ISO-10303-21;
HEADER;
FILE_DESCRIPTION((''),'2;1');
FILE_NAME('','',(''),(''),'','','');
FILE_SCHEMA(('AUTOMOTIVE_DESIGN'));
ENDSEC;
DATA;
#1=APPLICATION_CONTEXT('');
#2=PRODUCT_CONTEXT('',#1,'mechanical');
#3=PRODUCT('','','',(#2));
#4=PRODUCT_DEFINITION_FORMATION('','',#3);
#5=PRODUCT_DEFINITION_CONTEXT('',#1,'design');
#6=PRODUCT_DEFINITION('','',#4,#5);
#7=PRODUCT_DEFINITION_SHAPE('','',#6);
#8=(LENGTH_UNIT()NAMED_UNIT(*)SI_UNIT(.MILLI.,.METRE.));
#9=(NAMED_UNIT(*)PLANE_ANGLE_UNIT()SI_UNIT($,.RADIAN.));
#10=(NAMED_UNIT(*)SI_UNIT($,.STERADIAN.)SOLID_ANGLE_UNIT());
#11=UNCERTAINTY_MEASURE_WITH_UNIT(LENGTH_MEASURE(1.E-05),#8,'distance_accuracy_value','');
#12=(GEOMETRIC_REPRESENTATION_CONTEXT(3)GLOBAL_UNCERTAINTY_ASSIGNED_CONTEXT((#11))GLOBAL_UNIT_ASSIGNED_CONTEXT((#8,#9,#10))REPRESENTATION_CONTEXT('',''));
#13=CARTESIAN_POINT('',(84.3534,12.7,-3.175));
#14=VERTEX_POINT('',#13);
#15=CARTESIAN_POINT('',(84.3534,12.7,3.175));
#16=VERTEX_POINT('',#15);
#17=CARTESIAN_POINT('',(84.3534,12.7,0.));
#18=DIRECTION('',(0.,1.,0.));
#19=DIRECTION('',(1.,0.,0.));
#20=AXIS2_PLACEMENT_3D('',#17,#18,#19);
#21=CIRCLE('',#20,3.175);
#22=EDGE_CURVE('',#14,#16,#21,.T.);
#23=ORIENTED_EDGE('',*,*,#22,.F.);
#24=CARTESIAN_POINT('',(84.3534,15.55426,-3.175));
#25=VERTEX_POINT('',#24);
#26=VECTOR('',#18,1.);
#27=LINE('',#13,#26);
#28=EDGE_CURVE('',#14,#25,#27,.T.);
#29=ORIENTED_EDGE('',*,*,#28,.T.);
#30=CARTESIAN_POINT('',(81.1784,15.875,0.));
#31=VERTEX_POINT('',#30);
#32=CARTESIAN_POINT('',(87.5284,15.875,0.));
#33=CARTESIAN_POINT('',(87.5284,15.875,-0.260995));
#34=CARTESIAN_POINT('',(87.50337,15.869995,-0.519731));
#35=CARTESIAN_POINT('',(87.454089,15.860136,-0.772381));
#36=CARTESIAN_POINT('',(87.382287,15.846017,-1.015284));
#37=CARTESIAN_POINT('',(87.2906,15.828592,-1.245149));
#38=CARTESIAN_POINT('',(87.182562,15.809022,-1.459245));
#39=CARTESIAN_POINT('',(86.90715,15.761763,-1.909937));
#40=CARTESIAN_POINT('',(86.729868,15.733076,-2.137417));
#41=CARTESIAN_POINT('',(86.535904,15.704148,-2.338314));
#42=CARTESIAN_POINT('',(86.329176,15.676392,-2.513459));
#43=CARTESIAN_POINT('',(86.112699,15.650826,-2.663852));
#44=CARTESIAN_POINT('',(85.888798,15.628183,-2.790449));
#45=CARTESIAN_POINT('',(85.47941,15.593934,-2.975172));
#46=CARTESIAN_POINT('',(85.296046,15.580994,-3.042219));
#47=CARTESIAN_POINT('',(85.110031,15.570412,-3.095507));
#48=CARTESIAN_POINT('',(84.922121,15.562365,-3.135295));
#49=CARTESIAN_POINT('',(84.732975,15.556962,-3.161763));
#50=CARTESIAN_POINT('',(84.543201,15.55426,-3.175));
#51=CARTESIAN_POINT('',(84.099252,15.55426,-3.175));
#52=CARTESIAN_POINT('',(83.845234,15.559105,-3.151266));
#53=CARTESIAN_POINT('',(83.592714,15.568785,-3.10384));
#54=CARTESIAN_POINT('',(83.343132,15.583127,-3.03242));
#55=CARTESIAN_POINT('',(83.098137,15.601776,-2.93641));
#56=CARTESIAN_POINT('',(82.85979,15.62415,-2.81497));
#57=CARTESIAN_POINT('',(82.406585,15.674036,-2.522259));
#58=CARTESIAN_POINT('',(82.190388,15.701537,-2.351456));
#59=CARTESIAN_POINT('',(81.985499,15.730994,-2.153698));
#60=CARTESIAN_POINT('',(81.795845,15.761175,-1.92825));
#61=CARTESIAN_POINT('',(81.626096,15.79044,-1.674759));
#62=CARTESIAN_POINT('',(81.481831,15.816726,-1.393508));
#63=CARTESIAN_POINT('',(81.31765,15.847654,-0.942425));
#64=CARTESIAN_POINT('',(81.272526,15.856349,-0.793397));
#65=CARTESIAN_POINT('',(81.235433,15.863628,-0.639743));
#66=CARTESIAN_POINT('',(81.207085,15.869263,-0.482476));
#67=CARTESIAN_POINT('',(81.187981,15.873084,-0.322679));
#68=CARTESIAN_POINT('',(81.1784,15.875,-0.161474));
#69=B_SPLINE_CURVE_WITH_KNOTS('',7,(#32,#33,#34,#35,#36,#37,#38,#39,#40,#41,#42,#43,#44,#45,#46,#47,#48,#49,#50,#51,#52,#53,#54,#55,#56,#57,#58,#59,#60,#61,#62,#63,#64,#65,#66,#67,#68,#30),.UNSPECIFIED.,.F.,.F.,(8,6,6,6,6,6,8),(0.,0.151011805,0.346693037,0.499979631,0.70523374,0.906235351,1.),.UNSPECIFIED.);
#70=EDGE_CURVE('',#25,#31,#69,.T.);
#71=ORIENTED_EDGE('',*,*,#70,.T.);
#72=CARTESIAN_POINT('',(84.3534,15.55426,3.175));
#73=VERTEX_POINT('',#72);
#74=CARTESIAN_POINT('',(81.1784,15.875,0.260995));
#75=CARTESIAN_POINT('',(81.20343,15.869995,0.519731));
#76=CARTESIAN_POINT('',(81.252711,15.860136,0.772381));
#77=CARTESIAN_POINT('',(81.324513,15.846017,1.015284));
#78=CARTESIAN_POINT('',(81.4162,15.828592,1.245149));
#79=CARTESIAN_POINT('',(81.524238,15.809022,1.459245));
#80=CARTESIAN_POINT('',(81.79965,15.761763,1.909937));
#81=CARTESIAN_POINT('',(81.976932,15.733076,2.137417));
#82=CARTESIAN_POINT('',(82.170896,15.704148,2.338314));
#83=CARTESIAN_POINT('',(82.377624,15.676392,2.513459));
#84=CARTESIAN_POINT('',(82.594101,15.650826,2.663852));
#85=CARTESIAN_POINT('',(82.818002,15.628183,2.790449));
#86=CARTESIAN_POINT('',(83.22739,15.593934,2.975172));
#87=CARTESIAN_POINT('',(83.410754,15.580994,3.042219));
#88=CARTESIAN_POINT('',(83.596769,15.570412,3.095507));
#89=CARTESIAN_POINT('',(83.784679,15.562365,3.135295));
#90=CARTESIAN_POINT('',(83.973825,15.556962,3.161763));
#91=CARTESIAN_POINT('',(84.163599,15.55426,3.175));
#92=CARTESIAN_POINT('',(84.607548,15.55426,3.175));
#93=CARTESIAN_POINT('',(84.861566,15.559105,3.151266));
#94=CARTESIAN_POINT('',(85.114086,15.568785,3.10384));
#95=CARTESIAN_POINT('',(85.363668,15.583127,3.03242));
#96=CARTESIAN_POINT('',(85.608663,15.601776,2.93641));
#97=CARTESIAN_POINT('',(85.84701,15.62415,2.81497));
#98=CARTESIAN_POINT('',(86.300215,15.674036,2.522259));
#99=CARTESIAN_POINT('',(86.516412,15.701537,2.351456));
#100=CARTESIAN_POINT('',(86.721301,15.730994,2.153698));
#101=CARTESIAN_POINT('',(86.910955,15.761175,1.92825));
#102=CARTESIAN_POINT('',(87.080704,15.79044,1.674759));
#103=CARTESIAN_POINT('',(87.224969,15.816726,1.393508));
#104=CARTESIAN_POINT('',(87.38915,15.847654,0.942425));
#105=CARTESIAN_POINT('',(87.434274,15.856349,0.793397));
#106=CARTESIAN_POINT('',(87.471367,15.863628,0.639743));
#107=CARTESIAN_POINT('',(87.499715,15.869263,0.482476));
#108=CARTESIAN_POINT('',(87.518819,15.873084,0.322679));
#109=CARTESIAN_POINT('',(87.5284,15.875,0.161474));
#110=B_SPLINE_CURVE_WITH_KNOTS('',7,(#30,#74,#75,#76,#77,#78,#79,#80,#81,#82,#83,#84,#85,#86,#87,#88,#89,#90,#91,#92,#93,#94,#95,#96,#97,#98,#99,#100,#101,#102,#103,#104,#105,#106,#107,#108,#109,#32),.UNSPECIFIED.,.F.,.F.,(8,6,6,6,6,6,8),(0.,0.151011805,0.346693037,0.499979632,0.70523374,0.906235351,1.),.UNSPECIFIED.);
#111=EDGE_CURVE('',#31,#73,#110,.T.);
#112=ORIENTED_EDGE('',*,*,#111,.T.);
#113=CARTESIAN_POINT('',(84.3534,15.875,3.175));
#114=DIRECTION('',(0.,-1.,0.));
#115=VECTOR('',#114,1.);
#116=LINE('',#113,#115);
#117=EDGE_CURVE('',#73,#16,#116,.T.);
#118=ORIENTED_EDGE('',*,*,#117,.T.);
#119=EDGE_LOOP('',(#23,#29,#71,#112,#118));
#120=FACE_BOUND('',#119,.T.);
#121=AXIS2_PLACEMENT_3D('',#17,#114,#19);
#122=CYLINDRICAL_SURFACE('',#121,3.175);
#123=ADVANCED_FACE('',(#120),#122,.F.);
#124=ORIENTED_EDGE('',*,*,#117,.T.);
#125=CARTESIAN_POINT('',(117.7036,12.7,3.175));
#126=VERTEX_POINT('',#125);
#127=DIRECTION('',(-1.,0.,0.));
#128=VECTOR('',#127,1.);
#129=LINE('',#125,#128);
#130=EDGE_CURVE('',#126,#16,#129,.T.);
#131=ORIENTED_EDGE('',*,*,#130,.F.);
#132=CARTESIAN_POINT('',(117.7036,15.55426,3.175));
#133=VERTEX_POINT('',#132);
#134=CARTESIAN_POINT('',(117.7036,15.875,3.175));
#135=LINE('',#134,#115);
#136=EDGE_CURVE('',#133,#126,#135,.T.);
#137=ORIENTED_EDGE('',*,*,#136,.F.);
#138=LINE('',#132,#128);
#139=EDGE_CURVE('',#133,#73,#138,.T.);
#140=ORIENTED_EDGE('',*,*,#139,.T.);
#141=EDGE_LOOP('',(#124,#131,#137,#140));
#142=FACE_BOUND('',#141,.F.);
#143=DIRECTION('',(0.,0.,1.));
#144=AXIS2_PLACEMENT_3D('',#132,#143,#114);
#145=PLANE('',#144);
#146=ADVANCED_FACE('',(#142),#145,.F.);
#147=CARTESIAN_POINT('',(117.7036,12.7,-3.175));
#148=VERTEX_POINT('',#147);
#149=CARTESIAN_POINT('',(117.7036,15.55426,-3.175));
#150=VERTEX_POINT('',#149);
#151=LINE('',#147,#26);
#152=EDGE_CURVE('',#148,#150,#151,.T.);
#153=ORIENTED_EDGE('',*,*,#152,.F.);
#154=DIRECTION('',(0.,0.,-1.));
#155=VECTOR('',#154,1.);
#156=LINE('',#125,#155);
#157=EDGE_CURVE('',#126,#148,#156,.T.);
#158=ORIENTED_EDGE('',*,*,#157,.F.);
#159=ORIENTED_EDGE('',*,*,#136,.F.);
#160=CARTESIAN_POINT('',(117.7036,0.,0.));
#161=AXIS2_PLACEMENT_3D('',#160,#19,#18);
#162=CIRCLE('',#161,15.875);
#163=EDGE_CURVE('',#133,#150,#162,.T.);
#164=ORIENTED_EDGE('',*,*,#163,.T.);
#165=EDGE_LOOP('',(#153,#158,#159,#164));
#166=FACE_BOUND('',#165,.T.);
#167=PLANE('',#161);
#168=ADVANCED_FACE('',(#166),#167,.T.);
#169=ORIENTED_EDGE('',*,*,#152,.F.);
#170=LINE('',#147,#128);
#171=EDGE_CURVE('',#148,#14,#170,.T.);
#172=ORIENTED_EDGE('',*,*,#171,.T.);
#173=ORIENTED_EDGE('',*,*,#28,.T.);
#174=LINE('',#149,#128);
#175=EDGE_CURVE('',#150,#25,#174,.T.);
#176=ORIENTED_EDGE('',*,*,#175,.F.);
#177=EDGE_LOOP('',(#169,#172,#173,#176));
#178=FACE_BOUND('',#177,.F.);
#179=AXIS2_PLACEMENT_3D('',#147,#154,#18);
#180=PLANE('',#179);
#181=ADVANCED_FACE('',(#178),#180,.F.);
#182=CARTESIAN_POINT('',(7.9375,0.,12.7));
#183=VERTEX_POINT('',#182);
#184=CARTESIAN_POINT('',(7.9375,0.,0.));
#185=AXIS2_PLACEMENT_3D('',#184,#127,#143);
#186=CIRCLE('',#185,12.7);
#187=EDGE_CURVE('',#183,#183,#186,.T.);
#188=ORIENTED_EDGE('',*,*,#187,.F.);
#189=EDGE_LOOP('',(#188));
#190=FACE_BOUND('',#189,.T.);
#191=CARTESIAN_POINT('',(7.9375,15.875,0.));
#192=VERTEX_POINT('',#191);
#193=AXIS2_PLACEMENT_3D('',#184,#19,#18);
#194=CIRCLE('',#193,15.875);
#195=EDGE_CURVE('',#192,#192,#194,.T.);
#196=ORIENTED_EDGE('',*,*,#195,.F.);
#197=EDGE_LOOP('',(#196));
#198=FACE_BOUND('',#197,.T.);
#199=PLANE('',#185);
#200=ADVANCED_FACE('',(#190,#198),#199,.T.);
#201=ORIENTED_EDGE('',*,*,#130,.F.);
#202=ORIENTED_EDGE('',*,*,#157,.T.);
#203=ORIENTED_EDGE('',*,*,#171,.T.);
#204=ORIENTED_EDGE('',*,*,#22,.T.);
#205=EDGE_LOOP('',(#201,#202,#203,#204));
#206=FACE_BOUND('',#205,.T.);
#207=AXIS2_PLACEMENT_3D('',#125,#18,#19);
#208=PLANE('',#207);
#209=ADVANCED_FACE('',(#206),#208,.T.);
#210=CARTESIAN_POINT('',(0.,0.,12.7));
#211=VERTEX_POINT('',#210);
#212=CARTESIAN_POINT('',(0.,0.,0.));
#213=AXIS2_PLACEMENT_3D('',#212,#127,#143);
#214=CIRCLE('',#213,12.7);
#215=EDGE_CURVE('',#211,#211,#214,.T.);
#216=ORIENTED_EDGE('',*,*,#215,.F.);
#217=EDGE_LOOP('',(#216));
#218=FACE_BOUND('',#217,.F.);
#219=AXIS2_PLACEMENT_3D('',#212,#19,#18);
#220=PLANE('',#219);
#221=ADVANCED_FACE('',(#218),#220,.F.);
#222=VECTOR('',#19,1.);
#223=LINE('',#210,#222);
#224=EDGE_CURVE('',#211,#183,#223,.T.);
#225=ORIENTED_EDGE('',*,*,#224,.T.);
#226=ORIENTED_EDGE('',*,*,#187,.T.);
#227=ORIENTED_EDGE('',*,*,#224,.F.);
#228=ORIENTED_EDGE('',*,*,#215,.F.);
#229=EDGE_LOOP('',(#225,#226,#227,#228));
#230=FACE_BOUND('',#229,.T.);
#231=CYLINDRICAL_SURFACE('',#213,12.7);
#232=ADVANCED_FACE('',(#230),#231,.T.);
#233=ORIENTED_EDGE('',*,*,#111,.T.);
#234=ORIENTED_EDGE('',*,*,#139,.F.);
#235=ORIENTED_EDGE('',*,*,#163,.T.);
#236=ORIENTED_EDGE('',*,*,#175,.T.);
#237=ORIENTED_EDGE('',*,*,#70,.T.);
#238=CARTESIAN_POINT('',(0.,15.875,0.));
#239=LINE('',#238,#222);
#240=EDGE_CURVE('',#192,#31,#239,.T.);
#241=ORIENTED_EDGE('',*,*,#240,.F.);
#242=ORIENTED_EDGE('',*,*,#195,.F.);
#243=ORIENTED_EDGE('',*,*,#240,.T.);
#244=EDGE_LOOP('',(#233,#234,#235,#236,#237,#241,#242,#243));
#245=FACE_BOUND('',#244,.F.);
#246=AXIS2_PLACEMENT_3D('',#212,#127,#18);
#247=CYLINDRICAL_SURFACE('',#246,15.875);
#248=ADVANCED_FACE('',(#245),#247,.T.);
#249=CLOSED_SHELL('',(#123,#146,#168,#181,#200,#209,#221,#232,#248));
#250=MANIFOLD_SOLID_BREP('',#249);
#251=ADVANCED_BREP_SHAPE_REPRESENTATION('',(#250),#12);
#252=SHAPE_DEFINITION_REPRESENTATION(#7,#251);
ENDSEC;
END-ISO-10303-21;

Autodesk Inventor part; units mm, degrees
ref_plane "YZ Plane" through (0, 0, 0) normal (1, 0, 0) x (0, 1, 0)
ref_plane "XZ Plane" through (0, 0, 0) normal (0, 1, 0) x (-1, 0, 0)
ref_plane "XY Plane" through (0, 0, 0) normal (0, 0, 1) x (1, 0, 0)
sketch "Sketch1" plane through (0, 0, 0) normal (1, 0, 0) x (0, 1, 0)
  circle A0 centre (0, 0) radius 15.875
  dimension "d0" = 31.75
extrude "Extrusion1" add sketch "Sketch1" along normal blind 117.7036
ref_plane "Work Plane1" through (65.5447, 0, 0) normal (1, 0, 0) x (0, 0, -1)
sketch "Sketch9" plane through (117.7036, 0, 0) normal (1, 0, 0) x (0, 0, -1)
  line L0 (-3.175, 15.875) -> (-3.175, 12.7)
  line L1 (-3.175, 12.7) -> (3.175, 12.7)
  line L2 (3.175, 12.7) -> (3.175, 15.875)
  line L3 (0, 0) -> (0, 19.977)
  circle A0 centre (0, 0) radius 15.875 projected
  line L4 (0, 15.875) -> (-16.159, 15.875)
  point P0 (0, 12.7)
  point P1 (3.175, 15.5543)
  point P2 (-3.175, 15.5543)
  dimension "d26" = 6.35
  dimension "d27" = 3.175
extrude "Extrusion9" cut sketch "Sketch9" against normal blind 33.3502 contours A0 L3 L1 L0 | A0 L2 L1 L3
sketch "Sketch10" plane through (0, 0, 0) normal (-1, 0, 0) x (0, 0, 1)
  circle A0 centre (0, 0) radius 15.875
  circle A1 centre (0, 0) radius 12.7
  dimension "d30" = 25.4
extrude "Extrusion10" cut sketch "Sketch10" against normal blind 7.9375
sketch "Sketch11" plane through (117.7036, 12.7, 3.175) normal (0, 1, 0) x (1, 0, 0)
  line L0 (0, 0) -> (-33.3502, 0) projected
  line L1 (-33.3502, 6.35) -> (0, 6.35) projected
  line L2 (-33.3502, 6.35) -> (-33.3502, 0) projected
  arc A0 (-36.4412, 5.0705) -> (-33.3502, 0) centre (-39.0546, 0) ccw
  circle A1 centre (-33.3502, 3.175) radius 3.175
  point P0 (-117.7036, 3.175)
extrude "Extrusion11" cut sketch "Sketch11" along normal blind 25.4
properties part number "DTR-3"
